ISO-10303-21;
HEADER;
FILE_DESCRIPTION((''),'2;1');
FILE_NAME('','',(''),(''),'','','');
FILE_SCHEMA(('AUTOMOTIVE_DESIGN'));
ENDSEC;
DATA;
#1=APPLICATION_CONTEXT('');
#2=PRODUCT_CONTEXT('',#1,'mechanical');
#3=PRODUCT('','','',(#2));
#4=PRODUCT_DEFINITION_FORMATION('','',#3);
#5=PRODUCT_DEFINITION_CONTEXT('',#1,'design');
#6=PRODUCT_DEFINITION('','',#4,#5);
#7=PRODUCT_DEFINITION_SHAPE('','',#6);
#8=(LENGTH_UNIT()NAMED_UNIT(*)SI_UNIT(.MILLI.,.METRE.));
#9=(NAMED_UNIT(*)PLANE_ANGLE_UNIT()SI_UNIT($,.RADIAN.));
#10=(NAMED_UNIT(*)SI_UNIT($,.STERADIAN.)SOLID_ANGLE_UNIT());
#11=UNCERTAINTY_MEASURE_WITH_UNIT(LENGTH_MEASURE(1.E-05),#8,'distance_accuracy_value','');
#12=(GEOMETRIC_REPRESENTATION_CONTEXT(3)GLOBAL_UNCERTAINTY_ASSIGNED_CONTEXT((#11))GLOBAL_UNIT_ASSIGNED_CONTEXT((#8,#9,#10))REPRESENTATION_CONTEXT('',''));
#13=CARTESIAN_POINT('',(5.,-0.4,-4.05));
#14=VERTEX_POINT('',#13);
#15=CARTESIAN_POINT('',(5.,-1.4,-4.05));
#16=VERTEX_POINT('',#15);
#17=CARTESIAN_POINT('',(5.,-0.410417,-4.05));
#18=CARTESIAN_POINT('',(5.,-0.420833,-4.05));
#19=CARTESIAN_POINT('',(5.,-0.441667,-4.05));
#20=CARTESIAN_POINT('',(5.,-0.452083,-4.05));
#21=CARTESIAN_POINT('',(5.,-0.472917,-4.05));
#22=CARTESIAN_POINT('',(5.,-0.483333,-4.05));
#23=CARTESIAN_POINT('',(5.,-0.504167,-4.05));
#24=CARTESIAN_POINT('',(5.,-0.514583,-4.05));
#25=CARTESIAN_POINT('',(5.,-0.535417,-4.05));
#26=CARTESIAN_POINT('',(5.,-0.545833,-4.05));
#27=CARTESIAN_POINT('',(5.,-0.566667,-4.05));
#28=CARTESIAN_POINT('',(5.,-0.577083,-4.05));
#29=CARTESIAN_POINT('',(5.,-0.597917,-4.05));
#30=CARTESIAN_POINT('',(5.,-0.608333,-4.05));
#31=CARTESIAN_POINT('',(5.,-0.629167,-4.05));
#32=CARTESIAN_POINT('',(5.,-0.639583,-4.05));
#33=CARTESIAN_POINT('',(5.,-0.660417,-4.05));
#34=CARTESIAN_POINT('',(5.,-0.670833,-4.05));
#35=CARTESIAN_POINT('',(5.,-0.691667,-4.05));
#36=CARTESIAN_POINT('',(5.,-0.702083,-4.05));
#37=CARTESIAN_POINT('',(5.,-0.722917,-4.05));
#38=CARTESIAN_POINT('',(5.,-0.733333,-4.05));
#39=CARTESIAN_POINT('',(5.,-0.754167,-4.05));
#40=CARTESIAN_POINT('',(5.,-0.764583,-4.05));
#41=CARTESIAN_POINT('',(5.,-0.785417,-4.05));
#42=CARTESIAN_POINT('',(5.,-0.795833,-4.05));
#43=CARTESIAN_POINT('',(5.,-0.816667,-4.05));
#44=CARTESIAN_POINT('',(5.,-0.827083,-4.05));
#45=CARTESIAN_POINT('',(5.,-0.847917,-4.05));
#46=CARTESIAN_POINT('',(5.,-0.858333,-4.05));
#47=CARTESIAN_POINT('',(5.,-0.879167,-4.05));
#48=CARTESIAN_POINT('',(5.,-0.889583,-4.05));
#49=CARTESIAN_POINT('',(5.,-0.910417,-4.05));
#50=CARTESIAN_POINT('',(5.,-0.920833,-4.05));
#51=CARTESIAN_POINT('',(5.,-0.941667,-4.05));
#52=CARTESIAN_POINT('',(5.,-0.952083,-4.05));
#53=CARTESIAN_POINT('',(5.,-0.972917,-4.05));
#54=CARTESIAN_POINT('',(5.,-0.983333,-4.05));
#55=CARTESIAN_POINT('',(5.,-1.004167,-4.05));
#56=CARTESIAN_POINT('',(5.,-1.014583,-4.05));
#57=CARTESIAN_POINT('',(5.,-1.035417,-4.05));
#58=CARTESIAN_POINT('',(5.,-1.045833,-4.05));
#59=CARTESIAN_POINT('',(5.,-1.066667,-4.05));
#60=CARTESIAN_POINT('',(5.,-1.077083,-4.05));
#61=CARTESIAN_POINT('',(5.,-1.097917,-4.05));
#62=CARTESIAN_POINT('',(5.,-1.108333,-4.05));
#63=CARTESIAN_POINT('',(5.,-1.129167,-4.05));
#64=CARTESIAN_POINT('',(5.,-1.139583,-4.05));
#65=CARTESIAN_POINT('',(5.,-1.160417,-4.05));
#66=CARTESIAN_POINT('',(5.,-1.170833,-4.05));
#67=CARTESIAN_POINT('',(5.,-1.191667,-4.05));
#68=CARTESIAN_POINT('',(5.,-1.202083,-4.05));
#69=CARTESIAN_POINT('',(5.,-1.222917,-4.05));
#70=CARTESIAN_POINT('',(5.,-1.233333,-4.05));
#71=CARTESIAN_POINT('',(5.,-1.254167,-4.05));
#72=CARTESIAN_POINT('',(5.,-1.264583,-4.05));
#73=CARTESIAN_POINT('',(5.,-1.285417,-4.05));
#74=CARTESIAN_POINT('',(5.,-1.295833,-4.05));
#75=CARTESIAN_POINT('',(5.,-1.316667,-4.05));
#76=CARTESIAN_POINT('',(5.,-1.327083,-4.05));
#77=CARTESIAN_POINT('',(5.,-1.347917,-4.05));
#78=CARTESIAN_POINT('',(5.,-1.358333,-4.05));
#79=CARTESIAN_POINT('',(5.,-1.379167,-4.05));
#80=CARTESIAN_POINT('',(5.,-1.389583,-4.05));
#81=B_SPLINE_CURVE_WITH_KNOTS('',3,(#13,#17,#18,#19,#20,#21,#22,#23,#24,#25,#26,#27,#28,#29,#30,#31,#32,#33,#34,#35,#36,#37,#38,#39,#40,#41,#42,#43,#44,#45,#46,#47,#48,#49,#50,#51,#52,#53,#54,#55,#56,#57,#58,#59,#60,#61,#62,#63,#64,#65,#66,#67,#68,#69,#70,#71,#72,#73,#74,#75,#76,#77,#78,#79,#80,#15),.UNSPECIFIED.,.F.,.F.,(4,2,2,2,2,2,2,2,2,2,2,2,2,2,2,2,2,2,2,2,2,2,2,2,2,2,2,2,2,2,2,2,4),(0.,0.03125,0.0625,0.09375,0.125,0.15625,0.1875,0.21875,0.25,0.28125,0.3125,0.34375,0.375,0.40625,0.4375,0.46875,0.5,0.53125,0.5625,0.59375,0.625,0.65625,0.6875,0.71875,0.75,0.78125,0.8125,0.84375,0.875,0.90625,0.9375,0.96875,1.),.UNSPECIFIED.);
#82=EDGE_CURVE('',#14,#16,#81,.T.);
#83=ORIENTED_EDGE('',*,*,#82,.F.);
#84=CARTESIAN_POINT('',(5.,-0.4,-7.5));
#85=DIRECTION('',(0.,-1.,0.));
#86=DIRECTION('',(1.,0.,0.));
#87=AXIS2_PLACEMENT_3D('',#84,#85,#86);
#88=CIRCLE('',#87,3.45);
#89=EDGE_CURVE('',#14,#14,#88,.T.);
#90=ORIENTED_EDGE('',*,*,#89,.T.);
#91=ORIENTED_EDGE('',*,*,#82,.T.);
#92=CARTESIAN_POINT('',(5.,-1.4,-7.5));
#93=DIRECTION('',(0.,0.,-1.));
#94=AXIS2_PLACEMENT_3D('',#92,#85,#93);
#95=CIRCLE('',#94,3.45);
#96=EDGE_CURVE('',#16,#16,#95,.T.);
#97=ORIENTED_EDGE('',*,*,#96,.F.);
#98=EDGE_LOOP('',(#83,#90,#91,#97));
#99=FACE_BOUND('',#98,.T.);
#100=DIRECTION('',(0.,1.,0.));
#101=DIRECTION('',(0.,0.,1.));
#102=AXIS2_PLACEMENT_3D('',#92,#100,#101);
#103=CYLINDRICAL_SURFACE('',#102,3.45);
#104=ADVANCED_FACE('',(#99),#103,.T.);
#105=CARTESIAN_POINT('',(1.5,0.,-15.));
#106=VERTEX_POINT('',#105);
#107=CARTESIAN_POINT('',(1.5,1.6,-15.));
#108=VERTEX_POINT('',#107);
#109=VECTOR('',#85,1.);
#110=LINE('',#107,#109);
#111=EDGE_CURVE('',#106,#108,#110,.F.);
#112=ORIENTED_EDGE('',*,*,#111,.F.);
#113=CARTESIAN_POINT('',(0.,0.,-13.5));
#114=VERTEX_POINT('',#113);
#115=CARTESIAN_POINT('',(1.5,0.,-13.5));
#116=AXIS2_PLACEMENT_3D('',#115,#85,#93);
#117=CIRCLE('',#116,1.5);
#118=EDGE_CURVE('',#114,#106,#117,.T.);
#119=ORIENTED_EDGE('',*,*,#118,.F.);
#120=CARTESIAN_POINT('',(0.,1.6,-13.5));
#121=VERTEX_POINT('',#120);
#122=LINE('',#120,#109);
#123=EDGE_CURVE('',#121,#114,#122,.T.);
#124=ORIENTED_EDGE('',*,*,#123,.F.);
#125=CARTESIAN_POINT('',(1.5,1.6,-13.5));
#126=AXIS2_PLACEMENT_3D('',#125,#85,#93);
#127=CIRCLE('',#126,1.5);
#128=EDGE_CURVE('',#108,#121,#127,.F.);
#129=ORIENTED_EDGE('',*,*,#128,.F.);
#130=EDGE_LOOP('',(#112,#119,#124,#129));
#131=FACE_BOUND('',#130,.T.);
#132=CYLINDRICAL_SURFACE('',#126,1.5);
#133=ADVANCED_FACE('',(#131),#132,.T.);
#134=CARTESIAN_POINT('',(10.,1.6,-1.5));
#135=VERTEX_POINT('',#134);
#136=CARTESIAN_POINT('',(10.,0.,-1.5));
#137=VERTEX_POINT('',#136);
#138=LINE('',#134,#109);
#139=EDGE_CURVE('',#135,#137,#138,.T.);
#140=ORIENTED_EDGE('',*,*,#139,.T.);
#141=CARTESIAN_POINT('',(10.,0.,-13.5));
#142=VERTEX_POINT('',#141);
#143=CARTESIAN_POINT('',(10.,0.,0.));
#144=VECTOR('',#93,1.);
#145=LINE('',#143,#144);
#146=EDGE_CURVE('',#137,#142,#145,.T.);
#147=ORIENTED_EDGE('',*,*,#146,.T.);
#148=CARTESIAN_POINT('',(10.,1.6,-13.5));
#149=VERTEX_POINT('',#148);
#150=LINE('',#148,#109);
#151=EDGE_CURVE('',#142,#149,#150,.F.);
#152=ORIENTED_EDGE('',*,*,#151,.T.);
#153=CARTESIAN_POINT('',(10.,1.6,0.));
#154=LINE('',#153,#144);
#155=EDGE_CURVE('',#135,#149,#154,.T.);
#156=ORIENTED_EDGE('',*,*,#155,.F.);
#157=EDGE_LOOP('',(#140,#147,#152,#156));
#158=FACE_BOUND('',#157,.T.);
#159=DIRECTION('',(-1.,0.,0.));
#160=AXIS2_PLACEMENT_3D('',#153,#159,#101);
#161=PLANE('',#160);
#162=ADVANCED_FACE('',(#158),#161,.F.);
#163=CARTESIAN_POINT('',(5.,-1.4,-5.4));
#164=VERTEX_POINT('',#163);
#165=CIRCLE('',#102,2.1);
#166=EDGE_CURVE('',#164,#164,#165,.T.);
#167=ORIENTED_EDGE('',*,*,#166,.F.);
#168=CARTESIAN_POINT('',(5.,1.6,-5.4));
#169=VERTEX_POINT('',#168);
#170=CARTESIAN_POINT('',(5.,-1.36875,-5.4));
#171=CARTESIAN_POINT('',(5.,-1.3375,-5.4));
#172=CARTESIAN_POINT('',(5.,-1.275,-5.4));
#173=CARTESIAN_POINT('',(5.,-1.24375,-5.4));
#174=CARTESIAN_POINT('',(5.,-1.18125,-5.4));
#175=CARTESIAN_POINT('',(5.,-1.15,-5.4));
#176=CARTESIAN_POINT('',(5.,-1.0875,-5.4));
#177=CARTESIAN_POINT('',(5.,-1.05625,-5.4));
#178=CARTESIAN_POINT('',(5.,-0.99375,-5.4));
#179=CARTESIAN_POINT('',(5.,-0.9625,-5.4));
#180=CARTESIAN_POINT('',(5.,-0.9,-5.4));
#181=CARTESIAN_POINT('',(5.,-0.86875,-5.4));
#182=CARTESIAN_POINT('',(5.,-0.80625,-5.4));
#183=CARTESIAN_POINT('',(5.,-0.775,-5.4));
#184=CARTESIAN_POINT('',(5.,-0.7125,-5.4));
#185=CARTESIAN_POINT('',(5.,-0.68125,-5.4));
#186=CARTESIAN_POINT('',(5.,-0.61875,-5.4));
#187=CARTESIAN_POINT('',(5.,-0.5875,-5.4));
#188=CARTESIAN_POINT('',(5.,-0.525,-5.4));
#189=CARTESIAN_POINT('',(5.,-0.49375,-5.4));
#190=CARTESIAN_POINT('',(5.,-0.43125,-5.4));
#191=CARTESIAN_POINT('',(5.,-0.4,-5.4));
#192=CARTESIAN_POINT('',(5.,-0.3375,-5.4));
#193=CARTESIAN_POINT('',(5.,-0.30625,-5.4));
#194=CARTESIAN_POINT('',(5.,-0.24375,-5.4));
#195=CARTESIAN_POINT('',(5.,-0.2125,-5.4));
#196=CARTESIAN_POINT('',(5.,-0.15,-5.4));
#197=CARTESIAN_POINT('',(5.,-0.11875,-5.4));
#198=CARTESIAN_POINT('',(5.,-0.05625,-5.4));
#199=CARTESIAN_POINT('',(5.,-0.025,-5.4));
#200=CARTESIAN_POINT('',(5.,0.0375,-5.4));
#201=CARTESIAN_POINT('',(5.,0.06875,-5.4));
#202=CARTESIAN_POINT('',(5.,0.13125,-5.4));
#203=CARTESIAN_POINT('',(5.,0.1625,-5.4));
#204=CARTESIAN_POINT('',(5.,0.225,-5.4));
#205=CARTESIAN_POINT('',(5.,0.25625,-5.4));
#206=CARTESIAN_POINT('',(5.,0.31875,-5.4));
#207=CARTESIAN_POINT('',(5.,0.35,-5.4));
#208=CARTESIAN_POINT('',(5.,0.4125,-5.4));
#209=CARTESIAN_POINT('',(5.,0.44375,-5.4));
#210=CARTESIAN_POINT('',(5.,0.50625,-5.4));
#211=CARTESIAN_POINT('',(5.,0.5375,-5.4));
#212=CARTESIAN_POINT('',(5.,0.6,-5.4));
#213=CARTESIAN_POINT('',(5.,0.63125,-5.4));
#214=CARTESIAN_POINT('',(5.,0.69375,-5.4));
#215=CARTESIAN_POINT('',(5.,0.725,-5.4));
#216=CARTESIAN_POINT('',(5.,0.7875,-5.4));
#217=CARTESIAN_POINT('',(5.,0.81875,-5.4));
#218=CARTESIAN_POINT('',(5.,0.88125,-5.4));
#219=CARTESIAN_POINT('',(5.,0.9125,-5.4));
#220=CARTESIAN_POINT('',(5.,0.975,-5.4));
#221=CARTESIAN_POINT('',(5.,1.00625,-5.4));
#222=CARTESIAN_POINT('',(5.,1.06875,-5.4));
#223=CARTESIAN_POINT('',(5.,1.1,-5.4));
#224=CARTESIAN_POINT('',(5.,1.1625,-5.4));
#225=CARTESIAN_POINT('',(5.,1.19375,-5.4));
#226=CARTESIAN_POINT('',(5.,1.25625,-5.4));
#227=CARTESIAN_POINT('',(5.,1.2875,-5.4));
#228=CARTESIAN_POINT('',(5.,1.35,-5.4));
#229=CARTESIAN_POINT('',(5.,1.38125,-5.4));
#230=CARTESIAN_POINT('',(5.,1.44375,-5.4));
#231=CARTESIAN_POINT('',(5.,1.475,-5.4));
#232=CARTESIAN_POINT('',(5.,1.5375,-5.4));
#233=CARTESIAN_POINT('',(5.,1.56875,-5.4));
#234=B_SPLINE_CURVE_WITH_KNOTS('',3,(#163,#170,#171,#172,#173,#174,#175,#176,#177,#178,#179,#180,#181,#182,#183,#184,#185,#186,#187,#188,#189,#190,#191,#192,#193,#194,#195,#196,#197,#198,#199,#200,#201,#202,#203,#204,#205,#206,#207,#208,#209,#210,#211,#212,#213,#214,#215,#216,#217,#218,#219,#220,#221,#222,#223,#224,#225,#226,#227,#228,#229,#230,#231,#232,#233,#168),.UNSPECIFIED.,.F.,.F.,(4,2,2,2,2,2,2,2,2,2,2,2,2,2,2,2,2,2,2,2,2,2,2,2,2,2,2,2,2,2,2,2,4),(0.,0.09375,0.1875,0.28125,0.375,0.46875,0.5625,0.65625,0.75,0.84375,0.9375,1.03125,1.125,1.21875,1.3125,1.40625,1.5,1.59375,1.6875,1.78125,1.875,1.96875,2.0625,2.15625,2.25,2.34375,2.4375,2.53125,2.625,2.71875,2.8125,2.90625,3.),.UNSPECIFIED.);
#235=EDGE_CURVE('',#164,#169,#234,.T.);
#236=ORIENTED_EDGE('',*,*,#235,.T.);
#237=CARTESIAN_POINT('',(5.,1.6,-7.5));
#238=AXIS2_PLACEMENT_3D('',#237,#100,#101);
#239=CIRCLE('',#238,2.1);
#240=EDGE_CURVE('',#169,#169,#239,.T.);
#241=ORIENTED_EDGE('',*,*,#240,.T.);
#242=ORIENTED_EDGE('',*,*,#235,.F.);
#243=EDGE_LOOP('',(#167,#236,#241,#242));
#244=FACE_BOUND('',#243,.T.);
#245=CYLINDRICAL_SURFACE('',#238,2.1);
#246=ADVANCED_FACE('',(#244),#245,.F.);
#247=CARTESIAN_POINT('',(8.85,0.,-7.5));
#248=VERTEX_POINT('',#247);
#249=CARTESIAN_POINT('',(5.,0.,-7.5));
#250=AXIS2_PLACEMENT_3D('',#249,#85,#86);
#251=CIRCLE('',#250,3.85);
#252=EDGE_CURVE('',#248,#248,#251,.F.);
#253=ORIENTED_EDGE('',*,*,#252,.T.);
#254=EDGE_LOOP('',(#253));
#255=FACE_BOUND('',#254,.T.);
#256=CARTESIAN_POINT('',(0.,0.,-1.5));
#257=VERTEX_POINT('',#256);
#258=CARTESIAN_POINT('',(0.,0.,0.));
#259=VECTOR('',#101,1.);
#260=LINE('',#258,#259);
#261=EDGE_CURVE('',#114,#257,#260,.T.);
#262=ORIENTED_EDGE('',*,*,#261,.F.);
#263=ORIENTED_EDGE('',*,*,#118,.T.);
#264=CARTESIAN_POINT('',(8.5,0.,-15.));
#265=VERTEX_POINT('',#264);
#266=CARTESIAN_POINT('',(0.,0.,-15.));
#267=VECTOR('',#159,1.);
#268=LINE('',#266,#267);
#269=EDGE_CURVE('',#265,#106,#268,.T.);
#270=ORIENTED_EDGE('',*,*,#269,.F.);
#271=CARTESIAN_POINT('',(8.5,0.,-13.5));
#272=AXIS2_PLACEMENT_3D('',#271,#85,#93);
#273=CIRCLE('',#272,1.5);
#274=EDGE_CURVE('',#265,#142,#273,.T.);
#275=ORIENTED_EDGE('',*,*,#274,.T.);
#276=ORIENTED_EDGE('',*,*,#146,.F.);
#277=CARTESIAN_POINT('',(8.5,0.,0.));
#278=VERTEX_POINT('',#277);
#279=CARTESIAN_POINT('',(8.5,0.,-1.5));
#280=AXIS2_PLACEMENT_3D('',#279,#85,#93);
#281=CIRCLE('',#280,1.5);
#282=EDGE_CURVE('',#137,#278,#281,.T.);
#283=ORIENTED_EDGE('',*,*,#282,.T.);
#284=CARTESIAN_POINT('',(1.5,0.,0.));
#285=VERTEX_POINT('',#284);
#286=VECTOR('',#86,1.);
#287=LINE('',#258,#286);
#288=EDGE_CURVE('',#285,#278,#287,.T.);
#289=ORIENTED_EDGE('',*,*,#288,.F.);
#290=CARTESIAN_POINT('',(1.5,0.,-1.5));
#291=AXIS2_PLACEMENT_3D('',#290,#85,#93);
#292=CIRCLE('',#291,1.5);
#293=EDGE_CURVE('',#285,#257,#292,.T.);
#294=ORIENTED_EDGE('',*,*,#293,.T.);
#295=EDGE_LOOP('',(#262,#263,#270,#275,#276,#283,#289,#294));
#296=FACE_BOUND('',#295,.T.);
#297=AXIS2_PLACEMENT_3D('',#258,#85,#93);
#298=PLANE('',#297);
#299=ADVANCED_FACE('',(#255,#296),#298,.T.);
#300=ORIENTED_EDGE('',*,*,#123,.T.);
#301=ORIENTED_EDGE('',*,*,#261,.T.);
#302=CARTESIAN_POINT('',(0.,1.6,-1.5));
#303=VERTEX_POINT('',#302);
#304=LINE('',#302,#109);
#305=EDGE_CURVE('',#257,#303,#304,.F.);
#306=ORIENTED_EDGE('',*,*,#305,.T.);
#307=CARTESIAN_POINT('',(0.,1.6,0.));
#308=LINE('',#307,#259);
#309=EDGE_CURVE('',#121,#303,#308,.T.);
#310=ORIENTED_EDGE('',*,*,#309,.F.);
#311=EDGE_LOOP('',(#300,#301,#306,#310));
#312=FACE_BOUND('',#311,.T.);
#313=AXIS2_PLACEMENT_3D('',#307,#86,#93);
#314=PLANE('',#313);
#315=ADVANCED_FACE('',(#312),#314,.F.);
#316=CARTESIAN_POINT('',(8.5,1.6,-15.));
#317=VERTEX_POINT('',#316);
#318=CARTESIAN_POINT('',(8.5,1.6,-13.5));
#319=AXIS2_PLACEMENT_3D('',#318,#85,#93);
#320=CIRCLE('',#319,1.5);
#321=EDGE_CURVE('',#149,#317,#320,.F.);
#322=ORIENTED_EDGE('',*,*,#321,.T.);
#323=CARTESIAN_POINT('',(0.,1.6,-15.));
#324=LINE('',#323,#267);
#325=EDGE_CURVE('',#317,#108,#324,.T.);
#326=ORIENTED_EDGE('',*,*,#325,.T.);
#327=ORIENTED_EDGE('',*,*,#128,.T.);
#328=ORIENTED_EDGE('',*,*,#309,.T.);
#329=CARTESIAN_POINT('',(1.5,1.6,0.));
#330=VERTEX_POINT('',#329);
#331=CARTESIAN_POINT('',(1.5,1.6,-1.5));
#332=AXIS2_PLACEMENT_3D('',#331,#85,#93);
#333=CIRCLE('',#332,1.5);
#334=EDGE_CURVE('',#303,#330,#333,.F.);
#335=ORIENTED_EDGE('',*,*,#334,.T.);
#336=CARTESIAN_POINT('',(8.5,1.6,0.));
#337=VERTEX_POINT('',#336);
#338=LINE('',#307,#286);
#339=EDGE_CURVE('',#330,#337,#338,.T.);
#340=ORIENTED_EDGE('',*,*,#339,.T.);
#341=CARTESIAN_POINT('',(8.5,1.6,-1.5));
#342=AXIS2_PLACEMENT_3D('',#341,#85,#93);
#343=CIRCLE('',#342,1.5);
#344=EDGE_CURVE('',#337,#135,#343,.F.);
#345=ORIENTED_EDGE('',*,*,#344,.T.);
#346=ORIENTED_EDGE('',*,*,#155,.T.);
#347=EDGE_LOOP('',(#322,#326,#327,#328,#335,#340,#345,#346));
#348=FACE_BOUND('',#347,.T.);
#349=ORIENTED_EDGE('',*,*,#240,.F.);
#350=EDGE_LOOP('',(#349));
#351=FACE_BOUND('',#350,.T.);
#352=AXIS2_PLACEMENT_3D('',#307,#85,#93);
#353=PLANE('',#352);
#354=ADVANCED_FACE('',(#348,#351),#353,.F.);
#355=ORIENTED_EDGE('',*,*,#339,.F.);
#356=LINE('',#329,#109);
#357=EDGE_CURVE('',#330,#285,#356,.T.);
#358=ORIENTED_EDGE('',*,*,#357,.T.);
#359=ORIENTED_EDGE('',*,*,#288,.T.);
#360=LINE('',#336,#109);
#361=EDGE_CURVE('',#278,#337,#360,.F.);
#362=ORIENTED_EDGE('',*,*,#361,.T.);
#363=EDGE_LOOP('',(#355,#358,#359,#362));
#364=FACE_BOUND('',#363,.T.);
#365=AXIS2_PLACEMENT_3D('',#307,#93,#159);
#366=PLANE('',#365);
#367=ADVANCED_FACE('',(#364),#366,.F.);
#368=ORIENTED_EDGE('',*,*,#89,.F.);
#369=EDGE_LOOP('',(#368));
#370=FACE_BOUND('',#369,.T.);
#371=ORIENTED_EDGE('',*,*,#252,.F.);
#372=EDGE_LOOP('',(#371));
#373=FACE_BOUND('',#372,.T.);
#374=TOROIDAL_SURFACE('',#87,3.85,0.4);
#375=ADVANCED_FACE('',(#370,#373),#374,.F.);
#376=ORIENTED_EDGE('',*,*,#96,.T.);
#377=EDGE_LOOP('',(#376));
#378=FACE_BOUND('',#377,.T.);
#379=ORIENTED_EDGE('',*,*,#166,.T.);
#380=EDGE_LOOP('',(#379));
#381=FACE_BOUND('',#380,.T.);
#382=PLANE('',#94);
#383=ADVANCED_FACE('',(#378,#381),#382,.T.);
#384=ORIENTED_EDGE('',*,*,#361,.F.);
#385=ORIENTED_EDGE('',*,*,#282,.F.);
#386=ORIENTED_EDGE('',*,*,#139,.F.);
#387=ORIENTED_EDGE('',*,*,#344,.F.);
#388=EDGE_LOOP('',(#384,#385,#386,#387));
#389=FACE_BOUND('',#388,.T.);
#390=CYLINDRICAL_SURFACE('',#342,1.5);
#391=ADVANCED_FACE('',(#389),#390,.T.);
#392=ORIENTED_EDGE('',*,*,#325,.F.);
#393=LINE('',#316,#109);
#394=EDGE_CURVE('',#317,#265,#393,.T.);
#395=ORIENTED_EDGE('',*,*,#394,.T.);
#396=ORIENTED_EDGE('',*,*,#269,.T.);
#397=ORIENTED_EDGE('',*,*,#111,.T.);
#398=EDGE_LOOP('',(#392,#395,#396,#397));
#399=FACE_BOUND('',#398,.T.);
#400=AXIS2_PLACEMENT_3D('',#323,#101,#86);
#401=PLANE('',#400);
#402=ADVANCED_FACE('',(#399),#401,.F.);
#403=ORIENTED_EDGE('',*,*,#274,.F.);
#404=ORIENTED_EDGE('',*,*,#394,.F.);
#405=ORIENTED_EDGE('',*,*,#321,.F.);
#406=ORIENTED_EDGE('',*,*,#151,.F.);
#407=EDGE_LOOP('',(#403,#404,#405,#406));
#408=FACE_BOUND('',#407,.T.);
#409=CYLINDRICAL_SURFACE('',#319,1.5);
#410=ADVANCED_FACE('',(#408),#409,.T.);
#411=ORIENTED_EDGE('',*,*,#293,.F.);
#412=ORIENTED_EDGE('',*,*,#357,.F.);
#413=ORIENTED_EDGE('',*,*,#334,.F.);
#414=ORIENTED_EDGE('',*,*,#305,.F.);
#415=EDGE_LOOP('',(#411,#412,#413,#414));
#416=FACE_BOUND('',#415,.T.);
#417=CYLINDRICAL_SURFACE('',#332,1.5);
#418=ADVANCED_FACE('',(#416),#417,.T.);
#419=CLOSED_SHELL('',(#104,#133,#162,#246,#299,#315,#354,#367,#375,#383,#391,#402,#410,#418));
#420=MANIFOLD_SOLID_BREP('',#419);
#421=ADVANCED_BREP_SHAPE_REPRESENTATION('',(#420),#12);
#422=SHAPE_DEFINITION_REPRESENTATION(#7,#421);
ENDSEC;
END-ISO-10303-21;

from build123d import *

# Parameters (mm, degrees)
SKETCH1_W             = 10
SKETCH1_H             = 15
BOSS_EXTRUDE1_DEPTH   = 1.6
FILLET1_R             = 1.5
SKETCH2_R             = 3.45
BOSS_EXTRUDE2_DEPTH   = 1.4
M5X0_8_TAPPED_HOLE1_D = 4.2
FILLET2_R             = 0.4


with BuildPart() as part:
    # Sketch1 → Boss-Extrude1 (new body)
    with BuildSketch(Plane(origin=(0, 0, 0), x_dir=(1, 0, 0), z_dir=(0, 1, 0))):
        with Locations((5, 7.5)):
            Rectangle(SKETCH1_W, SKETCH1_H)
    extrude(amount=BOSS_EXTRUDE1_DEPTH)

    # Fillet1
    fillet1_edges = [part.edges().sort_by_distance(p)[0] for p in [
        (0, 0.8, -15),
        (10, 0.8, -15),
        (10, 0.8, 0),
        (0, 0.8, 0),
    ]]
    fillet(fillet1_edges, radius=FILLET1_R)

    # Sketch2 → Boss-Extrude2 (add)
    with BuildSketch(Plane.XZ):
        with Locations(Location((5, -7.5, 0), (0, 0, 270))):
            Circle(SKETCH2_R)
    extrude(amount=BOSS_EXTRUDE2_DEPTH)

    # M5x0.8 Tapped Hole1 (through all)
    with Locations(Plane(origin=(0, 1.6, 0), x_dir=(1, 0, 0), z_dir=(0, 1, 0))):
        with Locations((5, 7.5)):
            Hole(M5X0_8_TAPPED_HOLE1_D / 2)

    # Fillet2
    fillet2_edges = [part.edges().sort_by_distance(p)[0] for p in [
        (5, 0, -4.05),
    ]]
    fillet(fillet2_edges, radius=FILLET2_R)


solid = part.part
